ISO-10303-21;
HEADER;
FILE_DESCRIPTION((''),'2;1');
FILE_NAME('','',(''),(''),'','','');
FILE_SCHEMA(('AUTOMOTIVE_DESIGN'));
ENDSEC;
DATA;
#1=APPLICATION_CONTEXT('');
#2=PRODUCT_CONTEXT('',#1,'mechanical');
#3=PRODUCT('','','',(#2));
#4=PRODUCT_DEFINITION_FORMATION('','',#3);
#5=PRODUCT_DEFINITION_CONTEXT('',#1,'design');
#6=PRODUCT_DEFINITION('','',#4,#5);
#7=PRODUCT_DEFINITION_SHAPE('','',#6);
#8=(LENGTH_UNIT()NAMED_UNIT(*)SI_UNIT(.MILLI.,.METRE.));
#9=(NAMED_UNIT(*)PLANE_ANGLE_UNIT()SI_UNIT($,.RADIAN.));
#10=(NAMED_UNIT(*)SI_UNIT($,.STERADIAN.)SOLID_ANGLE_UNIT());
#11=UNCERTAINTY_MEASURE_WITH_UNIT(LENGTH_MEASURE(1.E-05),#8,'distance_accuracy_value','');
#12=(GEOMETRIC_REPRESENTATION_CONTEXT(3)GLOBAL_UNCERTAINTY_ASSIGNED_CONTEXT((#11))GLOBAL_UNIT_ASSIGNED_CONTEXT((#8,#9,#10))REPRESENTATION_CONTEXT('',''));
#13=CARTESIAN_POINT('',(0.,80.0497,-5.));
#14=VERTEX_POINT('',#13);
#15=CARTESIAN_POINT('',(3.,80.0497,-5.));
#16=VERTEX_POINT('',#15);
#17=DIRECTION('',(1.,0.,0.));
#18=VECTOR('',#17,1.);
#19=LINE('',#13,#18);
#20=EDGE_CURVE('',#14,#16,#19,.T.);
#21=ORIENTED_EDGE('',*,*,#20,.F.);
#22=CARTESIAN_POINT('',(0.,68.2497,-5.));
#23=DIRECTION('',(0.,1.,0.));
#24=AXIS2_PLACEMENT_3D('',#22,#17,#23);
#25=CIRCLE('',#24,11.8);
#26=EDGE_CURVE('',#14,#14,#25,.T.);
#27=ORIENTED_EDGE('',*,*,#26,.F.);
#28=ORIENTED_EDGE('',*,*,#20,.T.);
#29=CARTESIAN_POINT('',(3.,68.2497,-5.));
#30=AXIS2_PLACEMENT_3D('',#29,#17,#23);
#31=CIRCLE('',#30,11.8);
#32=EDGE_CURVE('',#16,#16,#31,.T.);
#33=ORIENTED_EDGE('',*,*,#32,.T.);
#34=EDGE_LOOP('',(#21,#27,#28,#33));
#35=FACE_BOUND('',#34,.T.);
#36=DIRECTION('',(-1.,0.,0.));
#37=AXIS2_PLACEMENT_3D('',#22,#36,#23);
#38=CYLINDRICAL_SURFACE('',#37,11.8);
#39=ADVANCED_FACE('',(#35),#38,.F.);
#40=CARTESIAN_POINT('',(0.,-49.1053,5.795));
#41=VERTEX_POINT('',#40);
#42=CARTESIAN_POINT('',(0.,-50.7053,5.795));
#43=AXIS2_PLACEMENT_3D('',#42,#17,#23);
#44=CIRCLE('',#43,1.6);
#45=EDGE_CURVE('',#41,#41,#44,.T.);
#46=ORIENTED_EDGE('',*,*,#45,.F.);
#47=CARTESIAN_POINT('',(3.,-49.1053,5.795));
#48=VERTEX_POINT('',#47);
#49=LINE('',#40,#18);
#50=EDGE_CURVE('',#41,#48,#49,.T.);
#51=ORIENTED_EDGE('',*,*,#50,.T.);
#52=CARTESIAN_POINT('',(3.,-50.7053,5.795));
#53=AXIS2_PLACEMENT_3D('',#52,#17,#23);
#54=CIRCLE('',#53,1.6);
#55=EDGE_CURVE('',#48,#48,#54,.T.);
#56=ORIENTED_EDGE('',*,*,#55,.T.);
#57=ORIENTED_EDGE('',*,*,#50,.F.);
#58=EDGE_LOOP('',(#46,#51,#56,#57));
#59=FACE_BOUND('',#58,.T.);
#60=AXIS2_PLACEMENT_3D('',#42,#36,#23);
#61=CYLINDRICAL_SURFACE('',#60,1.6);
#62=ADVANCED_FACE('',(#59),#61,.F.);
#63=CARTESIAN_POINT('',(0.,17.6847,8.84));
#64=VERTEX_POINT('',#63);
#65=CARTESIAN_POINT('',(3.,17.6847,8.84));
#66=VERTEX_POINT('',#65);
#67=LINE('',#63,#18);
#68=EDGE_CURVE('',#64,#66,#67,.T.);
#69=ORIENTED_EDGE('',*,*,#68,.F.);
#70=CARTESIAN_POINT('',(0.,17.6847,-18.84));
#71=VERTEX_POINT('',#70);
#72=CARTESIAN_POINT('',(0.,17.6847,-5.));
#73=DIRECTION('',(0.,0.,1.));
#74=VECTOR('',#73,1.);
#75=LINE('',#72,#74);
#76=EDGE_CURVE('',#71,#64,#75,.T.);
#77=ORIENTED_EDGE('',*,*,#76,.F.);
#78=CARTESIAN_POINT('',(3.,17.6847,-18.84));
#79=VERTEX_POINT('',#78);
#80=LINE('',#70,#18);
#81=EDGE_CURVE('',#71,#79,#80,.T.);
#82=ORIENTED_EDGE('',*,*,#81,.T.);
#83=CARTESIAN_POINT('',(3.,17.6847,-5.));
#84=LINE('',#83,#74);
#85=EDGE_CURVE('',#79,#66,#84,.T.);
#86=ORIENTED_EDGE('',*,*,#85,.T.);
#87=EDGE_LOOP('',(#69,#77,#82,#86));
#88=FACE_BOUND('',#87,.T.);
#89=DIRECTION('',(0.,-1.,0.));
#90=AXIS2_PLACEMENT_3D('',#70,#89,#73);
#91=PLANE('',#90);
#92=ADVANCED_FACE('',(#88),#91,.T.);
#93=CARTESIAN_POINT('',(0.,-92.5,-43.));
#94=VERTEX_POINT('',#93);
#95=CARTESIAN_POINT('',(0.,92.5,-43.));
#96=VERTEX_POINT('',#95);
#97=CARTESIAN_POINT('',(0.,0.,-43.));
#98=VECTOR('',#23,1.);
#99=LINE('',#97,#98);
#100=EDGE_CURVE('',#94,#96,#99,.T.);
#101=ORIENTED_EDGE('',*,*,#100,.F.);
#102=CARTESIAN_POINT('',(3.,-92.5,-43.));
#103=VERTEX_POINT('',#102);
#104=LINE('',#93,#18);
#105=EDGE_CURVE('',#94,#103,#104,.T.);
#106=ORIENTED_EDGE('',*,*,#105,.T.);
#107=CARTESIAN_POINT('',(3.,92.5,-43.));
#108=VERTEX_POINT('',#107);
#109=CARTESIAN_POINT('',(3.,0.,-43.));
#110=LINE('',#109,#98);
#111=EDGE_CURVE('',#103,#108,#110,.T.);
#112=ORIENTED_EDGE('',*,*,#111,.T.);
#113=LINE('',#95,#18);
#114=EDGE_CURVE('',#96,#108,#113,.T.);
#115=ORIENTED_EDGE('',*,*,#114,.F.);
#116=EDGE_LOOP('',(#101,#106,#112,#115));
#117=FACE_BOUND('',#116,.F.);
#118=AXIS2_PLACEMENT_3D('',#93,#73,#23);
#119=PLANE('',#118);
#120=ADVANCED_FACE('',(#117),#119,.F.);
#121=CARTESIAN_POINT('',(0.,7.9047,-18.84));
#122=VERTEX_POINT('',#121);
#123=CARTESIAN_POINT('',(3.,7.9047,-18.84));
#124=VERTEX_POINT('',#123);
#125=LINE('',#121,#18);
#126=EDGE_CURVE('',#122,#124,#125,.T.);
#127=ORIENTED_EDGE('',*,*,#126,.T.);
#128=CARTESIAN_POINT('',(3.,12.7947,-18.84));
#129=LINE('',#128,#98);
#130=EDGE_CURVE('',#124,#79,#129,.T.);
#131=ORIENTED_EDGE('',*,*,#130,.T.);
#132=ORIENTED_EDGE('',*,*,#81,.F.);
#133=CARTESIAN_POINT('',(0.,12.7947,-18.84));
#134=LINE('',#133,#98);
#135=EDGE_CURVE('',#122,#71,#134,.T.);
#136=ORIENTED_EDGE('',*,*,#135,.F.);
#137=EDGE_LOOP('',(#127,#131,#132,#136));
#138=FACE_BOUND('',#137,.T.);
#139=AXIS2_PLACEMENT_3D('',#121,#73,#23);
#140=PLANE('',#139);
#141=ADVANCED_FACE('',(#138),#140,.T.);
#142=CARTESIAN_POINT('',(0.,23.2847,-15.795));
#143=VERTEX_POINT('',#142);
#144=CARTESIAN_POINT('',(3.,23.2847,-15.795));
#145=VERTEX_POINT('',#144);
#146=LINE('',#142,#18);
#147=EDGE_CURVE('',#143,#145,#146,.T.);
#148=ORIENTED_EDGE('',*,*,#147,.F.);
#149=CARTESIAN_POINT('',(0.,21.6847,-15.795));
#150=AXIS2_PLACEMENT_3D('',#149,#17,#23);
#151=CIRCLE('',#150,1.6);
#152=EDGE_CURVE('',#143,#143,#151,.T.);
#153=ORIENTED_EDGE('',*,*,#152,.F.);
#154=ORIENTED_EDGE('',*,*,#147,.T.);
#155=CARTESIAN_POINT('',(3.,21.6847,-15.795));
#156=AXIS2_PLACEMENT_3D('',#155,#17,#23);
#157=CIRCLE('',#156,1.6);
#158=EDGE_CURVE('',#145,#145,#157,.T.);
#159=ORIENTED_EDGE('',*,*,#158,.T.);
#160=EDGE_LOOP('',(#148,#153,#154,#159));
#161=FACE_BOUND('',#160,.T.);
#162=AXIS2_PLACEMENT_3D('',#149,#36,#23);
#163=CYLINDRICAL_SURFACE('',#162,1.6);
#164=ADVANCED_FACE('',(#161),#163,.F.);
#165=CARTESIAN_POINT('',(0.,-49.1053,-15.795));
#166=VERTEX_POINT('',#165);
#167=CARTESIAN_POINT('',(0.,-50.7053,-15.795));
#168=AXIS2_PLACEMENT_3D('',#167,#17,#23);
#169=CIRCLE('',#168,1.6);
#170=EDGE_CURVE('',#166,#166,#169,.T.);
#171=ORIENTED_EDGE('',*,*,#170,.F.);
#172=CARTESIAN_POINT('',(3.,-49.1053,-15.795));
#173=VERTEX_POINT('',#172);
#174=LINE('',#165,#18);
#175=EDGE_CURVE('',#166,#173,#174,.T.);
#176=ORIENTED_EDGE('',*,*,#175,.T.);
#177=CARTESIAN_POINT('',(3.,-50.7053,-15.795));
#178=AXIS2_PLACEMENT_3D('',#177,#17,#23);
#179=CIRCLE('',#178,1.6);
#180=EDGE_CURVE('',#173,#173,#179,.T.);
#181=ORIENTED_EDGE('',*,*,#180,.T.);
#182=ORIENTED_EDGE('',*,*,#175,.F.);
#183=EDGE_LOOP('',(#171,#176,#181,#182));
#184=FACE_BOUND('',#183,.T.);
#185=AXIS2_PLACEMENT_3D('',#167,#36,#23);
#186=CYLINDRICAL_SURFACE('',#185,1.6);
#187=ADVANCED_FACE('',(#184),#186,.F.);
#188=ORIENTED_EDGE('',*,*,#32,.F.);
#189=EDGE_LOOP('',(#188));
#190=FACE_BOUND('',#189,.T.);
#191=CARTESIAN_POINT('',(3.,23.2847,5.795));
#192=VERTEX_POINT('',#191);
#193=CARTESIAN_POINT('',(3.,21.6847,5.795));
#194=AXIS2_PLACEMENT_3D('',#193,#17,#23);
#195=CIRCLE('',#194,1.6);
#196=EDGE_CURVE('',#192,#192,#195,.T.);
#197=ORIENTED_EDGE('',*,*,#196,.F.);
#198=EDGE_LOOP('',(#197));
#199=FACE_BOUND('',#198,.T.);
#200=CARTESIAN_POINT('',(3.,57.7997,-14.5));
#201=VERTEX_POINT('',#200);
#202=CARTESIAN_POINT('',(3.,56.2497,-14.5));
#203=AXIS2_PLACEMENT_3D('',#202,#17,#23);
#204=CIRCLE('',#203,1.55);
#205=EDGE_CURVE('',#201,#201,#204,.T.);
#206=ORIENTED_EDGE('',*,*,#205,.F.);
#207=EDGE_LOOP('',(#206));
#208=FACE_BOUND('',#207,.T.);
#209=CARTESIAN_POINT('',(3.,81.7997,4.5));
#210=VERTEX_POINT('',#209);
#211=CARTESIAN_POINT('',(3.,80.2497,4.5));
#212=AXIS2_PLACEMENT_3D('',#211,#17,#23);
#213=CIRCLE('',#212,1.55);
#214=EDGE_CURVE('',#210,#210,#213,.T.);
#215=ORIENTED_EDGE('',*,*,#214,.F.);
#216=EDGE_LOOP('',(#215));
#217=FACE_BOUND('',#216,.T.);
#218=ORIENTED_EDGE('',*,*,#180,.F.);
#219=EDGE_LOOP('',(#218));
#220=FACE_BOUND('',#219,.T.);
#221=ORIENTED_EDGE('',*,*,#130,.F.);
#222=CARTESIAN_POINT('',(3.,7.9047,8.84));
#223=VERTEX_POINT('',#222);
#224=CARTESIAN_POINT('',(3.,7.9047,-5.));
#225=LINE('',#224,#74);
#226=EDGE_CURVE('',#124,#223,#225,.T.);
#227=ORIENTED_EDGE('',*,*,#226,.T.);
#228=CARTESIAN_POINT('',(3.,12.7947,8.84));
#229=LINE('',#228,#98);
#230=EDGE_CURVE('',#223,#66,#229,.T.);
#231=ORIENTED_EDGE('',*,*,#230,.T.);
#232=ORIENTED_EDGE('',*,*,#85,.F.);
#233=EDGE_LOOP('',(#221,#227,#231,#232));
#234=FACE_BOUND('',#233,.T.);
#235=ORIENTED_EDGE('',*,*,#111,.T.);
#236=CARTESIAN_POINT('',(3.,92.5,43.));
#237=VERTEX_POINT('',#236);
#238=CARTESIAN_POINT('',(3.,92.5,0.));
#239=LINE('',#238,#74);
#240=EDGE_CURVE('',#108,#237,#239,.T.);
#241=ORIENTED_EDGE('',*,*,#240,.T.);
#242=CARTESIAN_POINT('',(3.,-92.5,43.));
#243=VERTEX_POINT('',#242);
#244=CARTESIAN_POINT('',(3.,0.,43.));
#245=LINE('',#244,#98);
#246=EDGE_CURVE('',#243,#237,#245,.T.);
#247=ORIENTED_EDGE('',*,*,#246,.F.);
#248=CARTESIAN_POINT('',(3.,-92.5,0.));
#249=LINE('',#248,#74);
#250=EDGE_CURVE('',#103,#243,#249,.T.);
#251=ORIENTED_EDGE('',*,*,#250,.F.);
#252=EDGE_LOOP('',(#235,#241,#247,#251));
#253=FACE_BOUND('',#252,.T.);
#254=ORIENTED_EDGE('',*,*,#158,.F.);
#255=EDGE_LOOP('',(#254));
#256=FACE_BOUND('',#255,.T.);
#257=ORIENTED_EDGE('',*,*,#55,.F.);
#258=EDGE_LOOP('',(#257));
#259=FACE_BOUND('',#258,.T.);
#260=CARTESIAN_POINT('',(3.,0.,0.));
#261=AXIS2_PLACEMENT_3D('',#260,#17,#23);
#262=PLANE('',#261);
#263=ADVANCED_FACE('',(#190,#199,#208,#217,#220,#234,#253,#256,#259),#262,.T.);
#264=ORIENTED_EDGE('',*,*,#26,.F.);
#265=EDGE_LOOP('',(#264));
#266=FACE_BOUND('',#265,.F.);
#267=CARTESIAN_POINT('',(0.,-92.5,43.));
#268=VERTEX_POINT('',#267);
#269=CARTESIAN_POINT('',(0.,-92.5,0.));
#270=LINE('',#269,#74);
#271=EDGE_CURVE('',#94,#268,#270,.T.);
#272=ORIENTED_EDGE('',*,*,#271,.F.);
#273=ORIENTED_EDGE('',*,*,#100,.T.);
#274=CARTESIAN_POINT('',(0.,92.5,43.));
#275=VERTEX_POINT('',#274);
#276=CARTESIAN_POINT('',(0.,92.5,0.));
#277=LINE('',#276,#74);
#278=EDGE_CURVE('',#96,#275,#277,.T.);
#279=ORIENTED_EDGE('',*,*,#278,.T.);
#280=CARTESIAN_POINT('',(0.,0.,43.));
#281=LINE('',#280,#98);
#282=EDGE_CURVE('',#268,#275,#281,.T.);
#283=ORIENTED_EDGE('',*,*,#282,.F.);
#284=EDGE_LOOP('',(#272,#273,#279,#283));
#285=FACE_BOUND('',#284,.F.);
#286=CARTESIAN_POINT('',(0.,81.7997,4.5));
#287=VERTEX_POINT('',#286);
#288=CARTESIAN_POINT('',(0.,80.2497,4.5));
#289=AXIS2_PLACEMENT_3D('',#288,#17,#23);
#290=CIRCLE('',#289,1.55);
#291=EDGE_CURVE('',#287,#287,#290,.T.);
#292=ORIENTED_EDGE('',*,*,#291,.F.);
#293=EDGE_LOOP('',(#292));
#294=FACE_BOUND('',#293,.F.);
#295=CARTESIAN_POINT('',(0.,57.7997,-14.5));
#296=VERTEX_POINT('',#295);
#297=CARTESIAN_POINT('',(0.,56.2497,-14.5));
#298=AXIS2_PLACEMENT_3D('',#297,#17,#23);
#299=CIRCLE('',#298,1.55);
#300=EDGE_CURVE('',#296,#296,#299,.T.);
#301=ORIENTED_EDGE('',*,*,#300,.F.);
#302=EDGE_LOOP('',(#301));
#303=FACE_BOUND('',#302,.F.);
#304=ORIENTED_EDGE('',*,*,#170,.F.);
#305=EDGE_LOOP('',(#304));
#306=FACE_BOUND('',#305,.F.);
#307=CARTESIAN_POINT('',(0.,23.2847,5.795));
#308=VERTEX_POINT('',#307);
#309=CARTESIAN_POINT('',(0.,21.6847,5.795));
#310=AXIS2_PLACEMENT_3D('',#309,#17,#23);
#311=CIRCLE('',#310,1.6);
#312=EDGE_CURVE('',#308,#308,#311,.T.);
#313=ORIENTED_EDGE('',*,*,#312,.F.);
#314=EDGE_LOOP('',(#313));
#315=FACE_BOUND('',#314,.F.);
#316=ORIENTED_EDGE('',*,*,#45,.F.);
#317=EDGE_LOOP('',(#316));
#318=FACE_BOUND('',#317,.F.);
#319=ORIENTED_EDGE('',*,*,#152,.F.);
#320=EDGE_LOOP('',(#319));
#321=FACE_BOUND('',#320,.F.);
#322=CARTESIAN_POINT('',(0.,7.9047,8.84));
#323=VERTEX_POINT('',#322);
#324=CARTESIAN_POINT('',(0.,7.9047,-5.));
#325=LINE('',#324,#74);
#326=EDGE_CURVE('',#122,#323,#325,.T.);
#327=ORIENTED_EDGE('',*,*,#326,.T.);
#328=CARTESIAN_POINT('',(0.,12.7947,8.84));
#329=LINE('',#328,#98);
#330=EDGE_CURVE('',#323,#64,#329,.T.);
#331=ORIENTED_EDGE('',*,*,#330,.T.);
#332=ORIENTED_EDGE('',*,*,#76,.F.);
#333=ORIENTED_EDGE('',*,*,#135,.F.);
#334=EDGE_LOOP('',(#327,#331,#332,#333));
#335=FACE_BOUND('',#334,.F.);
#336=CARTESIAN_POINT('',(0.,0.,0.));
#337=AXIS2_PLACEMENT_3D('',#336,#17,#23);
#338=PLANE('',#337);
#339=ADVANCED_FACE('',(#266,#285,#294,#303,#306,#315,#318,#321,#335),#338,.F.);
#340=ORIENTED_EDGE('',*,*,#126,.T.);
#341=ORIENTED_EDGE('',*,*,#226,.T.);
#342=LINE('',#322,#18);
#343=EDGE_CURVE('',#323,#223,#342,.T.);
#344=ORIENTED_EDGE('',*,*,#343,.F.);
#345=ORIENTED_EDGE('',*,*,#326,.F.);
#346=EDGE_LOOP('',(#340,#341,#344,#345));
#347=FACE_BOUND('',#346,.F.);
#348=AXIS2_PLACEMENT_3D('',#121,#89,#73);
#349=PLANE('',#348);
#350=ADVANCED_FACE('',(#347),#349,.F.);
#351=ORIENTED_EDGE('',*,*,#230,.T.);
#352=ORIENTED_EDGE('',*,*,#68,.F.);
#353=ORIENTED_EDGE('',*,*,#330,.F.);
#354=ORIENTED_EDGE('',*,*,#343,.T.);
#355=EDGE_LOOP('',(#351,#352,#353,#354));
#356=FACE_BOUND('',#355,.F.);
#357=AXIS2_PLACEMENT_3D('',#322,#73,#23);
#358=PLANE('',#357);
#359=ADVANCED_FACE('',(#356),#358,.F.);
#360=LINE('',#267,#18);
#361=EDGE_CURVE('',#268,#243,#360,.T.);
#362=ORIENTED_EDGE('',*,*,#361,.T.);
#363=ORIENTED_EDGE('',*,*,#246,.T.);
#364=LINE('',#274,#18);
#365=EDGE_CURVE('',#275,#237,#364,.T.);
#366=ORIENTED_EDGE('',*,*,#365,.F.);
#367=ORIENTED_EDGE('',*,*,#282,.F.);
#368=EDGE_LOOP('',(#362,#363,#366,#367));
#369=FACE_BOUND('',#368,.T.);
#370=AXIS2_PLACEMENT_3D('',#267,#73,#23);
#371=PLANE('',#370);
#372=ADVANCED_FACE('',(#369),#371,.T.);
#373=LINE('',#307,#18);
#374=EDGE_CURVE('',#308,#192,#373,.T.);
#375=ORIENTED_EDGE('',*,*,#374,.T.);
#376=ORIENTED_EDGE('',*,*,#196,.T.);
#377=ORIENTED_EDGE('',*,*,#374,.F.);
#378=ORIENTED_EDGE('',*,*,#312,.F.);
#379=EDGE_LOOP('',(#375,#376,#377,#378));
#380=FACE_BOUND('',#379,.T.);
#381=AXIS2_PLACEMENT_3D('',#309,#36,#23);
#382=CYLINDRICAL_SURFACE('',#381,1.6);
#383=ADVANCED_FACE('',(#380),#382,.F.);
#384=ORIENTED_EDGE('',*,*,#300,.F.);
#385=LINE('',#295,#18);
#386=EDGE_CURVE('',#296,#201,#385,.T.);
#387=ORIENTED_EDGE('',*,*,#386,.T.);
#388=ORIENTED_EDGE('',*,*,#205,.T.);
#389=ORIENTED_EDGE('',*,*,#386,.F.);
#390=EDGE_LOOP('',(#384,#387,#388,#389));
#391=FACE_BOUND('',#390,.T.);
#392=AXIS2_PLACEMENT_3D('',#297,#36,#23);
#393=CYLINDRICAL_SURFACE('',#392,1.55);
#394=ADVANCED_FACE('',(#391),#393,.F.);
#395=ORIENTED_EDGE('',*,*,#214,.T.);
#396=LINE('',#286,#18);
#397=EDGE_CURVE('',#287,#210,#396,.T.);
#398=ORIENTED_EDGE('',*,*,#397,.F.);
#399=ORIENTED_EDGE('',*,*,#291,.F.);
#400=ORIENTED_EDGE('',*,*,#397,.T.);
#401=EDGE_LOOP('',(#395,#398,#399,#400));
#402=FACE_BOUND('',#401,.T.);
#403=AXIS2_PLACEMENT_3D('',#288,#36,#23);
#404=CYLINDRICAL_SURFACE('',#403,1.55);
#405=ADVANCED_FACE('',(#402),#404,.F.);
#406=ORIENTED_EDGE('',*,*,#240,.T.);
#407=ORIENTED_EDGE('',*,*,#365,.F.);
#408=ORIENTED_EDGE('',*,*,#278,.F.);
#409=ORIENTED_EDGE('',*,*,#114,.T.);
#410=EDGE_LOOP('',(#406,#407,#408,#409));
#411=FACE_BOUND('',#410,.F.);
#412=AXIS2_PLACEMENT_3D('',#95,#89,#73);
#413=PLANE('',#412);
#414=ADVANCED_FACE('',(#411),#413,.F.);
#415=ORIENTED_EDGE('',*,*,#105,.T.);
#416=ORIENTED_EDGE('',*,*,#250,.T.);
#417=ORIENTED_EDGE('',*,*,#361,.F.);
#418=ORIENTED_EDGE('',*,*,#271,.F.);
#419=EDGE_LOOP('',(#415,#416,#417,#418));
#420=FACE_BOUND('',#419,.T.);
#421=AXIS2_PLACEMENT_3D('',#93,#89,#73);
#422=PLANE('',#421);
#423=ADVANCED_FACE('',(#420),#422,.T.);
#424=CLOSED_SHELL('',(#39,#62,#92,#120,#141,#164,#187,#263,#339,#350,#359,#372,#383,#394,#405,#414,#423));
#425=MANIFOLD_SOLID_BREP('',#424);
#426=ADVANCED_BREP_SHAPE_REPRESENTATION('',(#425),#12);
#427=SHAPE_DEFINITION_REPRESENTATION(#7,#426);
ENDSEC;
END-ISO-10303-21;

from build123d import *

# Parameters (mm, degrees)
SKETCH_W   = 185
SKETCH_H   = 86
SKETCH_R   = 11.8
SKETCH_R_2 = 1.55
SKETCH_R_3 = 1.6
SKETCH_W_2 = 9.78
SKETCH_H_2 = 27.68
PAD_DEPTH  = 3


with BuildPart() as part:
    # Sketch → Pad (new body)
    with BuildSketch(Plane.YZ):
        Rectangle(SKETCH_W, SKETCH_H)
        with Locations((68.2497, -5)):
            Circle(SKETCH_R, mode=Mode.SUBTRACT)
        with Locations((80.2497, 4.5)):
            Circle(SKETCH_R_2, mode=Mode.SUBTRACT)
        with Locations((56.2497, -14.5)):
            Circle(SKETCH_R_2, mode=Mode.SUBTRACT)
        with Locations((21.6847, 5.795)):
            Circle(SKETCH_R_3, mode=Mode.SUBTRACT)
        with Locations((21.6847, -15.795)):
            Circle(SKETCH_R_3, mode=Mode.SUBTRACT)
        with Locations((-50.7053, 5.795)):
            Circle(SKETCH_R_3, mode=Mode.SUBTRACT)
        with Locations((-50.7053, -15.795)):
            Circle(SKETCH_R_3, mode=Mode.SUBTRACT)
        with Locations((12.7947, -5)):
            Rectangle(SKETCH_W_2, SKETCH_H_2, mode=Mode.SUBTRACT)
    extrude(amount=PAD_DEPTH)


solid = part.part
